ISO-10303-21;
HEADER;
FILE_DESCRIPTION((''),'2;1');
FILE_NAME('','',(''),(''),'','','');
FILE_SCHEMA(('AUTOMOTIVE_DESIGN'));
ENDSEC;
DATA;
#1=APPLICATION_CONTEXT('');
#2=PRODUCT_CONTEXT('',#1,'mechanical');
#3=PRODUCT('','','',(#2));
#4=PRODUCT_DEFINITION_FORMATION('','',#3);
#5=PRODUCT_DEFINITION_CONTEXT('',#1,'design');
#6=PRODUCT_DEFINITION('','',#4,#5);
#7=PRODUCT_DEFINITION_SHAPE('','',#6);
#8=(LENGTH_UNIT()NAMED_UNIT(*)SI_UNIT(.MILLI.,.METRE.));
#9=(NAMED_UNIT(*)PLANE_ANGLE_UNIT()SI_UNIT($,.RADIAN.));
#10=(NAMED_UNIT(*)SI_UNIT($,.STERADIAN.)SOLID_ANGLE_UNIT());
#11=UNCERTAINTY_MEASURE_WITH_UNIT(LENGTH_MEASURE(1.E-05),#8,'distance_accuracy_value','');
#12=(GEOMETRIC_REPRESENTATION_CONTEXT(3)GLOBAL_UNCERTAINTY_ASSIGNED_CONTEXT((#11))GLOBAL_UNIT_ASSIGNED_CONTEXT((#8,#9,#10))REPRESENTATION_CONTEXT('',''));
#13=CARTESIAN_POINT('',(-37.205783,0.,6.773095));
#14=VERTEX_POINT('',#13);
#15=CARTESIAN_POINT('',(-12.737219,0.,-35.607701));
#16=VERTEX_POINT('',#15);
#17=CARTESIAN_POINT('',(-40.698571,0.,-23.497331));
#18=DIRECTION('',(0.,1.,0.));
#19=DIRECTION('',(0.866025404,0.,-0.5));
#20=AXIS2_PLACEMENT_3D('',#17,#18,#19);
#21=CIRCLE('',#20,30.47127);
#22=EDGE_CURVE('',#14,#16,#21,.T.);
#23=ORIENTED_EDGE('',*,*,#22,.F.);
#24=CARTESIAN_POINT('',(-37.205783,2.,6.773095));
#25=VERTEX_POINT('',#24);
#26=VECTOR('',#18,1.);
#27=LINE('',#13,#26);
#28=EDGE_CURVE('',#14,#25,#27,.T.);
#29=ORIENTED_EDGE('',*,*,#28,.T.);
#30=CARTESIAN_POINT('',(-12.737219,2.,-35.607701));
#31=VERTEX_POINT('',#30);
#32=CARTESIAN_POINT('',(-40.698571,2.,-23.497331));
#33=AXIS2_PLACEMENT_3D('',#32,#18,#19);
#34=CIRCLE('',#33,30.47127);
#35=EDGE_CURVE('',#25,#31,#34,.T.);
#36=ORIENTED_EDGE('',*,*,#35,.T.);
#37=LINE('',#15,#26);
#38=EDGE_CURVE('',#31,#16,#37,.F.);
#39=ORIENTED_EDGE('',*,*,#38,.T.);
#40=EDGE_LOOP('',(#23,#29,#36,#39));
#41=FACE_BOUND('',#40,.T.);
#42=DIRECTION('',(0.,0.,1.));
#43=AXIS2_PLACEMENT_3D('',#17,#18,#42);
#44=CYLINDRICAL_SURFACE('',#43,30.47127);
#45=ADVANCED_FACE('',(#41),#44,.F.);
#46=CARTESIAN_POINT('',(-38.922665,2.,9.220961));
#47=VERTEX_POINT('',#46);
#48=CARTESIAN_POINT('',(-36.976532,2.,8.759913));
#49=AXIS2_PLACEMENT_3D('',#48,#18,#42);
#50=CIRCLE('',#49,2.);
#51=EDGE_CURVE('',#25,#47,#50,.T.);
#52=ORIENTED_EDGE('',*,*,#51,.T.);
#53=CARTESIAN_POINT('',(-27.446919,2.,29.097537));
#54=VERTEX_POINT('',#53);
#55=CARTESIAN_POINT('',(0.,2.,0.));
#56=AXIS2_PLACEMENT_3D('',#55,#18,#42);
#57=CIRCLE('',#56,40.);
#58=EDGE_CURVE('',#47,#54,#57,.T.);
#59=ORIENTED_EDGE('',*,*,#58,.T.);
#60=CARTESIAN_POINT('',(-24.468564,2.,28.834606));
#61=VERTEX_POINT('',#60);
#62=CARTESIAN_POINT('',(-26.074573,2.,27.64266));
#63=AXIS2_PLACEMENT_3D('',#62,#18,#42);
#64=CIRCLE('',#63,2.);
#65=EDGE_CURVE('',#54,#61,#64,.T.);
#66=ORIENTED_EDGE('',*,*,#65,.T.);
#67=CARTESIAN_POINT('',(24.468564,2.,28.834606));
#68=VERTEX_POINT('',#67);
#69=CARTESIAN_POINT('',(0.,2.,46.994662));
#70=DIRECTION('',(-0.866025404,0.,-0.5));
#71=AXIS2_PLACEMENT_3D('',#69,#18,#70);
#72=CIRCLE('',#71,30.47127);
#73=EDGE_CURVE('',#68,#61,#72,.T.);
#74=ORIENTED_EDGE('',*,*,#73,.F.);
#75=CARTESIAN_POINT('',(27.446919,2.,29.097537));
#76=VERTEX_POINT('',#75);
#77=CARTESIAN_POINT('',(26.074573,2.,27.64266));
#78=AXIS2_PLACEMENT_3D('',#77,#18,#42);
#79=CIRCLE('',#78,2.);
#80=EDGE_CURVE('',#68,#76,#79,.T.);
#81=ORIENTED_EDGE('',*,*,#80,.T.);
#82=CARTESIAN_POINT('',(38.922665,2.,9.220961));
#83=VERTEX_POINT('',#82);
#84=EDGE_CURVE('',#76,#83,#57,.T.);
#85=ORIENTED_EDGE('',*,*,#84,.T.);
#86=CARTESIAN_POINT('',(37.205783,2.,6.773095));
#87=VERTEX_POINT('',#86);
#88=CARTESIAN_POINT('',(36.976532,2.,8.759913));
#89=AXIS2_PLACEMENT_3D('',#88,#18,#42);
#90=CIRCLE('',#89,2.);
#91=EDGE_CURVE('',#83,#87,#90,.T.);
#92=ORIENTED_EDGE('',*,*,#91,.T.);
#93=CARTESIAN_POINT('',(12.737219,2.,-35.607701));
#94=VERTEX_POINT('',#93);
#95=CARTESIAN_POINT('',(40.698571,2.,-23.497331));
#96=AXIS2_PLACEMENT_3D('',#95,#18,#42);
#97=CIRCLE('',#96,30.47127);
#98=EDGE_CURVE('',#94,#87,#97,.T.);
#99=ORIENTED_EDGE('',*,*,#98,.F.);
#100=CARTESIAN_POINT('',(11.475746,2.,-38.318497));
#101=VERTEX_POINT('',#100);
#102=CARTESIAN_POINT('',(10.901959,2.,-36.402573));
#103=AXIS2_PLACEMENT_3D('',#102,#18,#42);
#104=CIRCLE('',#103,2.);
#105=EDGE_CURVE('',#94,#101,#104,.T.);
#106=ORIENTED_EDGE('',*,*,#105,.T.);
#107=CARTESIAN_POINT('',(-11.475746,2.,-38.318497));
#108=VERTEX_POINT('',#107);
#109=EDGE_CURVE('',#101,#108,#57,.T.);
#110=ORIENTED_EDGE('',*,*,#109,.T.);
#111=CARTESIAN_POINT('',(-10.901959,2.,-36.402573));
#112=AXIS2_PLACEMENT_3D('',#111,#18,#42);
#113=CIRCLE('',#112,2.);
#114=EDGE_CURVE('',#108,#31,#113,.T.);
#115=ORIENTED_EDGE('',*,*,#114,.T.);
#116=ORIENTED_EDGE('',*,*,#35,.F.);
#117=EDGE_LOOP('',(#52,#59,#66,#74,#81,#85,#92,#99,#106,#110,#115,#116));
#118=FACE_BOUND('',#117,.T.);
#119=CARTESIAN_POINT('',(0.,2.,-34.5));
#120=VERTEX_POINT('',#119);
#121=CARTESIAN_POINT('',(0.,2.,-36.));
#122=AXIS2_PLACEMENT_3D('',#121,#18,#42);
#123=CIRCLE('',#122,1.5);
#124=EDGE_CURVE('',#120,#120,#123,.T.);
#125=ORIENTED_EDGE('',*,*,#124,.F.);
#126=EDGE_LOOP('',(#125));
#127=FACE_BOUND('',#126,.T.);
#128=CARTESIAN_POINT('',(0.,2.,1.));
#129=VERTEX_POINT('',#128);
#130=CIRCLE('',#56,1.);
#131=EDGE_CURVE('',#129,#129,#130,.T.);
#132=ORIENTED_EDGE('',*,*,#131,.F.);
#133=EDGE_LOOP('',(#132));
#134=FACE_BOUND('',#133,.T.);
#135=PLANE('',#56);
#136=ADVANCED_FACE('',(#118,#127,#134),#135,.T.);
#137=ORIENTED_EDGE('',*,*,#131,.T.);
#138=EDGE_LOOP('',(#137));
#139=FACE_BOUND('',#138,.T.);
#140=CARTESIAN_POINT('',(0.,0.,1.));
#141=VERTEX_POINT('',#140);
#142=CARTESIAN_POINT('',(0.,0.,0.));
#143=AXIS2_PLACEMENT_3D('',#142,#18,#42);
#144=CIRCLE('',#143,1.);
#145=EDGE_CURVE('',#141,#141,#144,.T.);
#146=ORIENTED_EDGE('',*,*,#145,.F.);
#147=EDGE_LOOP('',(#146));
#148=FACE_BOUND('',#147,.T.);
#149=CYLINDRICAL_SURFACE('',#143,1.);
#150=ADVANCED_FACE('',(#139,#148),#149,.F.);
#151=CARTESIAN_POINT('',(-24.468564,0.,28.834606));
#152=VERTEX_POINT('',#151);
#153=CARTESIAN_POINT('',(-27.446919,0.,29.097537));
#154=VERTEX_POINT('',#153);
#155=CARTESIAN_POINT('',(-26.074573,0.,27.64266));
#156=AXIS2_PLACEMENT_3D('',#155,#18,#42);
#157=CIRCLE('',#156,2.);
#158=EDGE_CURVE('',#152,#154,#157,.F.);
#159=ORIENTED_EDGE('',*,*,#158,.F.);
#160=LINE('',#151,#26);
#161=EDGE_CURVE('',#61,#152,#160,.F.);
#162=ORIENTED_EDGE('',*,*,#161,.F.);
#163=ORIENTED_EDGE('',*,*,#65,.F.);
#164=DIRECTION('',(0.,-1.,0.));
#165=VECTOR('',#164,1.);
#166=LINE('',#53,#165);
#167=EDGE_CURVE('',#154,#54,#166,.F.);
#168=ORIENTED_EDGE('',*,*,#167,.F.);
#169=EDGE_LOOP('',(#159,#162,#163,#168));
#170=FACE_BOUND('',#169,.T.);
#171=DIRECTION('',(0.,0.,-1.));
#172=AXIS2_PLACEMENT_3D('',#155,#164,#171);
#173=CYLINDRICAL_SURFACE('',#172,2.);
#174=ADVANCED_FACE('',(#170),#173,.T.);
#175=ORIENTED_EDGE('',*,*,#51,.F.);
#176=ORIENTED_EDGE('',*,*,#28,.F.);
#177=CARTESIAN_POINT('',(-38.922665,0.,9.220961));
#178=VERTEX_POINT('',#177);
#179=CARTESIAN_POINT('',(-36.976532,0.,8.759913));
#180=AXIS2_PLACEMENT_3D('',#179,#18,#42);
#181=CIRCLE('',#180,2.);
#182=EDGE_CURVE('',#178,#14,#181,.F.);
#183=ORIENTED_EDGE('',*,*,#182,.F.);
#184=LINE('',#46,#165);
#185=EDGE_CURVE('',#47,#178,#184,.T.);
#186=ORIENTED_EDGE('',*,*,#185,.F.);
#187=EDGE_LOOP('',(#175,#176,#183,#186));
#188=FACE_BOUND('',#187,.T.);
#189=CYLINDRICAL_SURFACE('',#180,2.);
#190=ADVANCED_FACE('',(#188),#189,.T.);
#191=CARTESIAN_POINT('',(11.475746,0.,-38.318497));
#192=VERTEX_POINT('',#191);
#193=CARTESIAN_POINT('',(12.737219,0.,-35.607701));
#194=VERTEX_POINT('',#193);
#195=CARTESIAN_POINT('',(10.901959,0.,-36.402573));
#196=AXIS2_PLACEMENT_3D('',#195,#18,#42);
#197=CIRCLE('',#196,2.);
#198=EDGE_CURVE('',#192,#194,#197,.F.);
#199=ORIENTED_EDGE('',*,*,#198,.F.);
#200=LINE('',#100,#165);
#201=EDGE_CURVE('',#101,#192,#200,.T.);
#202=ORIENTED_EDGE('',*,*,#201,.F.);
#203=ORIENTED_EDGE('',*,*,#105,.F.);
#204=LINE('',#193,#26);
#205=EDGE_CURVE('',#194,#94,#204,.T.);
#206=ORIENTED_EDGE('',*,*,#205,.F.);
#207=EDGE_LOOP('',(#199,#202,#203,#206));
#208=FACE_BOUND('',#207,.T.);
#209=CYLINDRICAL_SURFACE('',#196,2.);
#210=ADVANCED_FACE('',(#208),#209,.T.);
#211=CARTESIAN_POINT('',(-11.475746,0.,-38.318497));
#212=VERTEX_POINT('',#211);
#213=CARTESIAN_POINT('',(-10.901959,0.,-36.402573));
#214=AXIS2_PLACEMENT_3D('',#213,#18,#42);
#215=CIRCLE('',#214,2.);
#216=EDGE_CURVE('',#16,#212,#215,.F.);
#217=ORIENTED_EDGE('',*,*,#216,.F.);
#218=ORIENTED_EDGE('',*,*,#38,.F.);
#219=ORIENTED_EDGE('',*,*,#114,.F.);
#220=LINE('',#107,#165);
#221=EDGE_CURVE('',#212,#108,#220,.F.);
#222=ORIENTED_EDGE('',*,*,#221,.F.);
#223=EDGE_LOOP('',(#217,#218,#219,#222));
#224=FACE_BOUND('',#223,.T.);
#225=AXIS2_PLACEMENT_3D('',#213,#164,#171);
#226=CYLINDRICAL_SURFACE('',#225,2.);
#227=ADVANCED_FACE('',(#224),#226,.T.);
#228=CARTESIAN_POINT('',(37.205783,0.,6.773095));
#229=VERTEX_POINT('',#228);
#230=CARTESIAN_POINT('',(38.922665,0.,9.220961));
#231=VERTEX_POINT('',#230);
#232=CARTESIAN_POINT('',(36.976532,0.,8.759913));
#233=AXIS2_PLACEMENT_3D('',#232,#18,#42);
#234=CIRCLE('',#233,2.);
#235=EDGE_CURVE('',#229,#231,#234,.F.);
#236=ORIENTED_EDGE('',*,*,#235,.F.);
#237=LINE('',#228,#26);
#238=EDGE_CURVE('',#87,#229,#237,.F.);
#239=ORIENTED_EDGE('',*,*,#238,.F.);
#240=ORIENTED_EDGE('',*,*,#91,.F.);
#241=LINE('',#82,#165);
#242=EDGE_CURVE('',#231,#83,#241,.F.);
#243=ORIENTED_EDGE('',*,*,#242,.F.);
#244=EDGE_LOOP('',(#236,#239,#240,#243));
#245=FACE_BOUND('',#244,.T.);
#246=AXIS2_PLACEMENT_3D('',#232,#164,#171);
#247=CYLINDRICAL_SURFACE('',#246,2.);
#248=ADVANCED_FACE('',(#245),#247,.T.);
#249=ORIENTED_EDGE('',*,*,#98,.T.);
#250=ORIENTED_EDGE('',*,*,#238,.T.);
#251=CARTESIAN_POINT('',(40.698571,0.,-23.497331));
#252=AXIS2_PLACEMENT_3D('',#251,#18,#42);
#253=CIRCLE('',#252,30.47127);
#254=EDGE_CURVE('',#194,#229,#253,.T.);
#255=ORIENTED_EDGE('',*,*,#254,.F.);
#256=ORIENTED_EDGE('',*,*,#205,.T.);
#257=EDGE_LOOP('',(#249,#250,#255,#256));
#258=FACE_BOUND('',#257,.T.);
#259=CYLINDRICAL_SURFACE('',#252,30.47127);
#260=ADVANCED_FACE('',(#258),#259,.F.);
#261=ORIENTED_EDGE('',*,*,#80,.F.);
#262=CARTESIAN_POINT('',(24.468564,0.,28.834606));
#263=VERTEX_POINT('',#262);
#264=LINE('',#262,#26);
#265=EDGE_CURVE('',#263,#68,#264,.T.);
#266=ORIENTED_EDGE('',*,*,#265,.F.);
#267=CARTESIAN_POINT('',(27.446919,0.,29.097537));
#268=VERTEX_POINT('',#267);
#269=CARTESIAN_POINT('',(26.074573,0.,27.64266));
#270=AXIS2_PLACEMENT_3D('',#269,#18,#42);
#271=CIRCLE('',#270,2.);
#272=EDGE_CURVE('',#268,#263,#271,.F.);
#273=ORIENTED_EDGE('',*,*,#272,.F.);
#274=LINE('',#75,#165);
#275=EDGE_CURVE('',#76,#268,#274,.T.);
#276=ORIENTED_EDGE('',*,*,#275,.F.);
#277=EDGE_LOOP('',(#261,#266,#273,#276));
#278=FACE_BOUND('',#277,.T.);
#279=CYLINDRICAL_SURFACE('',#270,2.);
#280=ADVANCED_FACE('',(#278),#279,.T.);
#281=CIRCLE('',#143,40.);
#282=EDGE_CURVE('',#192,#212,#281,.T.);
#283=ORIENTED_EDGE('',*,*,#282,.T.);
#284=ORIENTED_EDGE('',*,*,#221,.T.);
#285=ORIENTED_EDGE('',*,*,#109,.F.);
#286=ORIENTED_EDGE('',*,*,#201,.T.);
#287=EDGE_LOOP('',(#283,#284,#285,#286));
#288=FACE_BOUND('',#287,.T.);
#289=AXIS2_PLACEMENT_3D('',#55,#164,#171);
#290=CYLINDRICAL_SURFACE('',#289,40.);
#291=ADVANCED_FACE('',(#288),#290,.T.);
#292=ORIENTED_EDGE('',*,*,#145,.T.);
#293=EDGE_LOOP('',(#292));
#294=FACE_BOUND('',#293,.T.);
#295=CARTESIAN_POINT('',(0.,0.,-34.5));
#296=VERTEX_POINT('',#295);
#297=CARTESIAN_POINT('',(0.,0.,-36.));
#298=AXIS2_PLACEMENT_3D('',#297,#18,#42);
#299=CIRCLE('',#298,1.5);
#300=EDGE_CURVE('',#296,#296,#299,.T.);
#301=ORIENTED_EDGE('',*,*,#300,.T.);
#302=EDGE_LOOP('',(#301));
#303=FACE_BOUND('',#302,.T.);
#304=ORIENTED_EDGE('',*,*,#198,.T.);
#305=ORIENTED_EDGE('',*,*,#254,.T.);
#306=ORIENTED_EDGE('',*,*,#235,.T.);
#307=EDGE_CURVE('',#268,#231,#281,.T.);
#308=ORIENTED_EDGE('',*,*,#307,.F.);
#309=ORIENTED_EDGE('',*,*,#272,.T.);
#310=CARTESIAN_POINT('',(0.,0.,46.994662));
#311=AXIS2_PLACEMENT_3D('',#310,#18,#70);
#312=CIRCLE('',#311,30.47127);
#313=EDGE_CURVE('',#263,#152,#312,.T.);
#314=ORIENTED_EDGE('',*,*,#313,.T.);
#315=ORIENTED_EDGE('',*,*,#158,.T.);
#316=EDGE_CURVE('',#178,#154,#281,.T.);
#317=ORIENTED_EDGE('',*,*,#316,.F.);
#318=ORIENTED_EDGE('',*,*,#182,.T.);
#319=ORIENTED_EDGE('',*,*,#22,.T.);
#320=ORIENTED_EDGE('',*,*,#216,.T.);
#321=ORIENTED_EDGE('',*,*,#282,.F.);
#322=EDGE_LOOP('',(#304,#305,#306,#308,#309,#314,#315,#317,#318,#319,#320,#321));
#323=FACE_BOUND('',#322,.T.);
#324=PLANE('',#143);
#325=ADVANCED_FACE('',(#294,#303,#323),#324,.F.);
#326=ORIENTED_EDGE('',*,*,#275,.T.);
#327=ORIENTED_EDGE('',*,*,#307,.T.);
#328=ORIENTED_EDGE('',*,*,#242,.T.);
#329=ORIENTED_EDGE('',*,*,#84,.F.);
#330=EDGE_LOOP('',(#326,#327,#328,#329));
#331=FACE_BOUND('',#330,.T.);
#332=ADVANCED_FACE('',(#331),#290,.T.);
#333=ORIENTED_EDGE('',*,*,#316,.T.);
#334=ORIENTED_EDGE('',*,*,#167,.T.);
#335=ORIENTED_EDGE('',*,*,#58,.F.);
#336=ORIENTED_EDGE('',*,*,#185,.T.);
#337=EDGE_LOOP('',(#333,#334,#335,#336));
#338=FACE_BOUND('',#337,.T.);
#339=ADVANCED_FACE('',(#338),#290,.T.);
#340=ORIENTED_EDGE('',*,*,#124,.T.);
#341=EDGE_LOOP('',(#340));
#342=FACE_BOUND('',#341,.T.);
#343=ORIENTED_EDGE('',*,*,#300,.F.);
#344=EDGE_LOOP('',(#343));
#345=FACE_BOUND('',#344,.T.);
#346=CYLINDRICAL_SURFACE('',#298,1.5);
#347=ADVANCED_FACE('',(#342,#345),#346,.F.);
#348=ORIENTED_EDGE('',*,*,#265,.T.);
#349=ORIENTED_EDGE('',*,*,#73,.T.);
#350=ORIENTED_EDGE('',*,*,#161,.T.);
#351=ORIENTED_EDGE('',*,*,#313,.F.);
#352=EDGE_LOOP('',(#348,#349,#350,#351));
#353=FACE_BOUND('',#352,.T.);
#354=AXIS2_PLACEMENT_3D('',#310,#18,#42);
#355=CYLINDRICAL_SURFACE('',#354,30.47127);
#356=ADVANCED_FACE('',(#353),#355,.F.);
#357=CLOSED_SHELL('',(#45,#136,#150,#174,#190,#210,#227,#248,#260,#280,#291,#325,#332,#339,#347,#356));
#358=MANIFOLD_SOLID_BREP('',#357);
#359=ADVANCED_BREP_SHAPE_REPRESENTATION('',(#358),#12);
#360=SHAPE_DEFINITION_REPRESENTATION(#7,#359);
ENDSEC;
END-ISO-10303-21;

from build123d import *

# Parameters (mm, degrees)
SKETCH1_R           = 40
BOSS_EXTRUDE1_DEPTH = 2
SKETCH5_R           = 1.5
CUT_EXTRUDE2_DEPTH  = 3
SKETCH7_R           = 1
CUT_EXTRUDE4_DEPTH  = 3
SKETCH8_R           = 30.471270003
CUT_EXTRUDE5_DEPTH  = 3
CIRPATTERN1_COUNT   = 3
FILLET1_R           = 2


with BuildPart() as part:
    # Sketch1 → Boss-Extrude1 (new body)
    with BuildSketch(Plane(origin=(0, 0, 0), x_dir=(1, 0, 0), z_dir=(0, 1, 0))):
        Circle(SKETCH1_R)
    extrude(amount=BOSS_EXTRUDE1_DEPTH)

    # Sketch5 → Cut-Extrude2 (cut, through all)
    with BuildSketch(Plane(origin=(0, 2, 0), x_dir=(1, 0, 0), z_dir=(0, 1, 0))):
        with Locations((0, 36)):
            Circle(SKETCH5_R)
    extrude(amount=-CUT_EXTRUDE2_DEPTH, mode=Mode.SUBTRACT)

    # Sketch7 → Cut-Extrude4 (cut, through all)
    with BuildSketch(Plane(origin=(0, 2, 0), x_dir=(1, 0, 0), z_dir=(0, 1, 0))):
        Circle(SKETCH7_R)
    extrude(amount=-CUT_EXTRUDE4_DEPTH, mode=Mode.SUBTRACT)

    # Sketch8 → Cut-Extrude5 (cut, through all)
    with BuildSketch(Plane(origin=(0, 2, 0), x_dir=(1, 0, 0), z_dir=(0, 1, 0))):
        with Locations((40.698571494, 23.497331208)):
            Circle(SKETCH8_R)
    cut_extrude5 = extrude(amount=-CUT_EXTRUDE5_DEPTH, mode=Mode.SUBTRACT)

    # CirPattern1: Cut-Extrude5 ×3 about axis
    cirpattern1_axis = Axis((0, 0, 0), (0, 1, 0))
    for i in range(1, CIRPATTERN1_COUNT):
        add(cut_extrude5.rotate(cirpattern1_axis, i * 360 / CIRPATTERN1_COUNT), mode=Mode.SUBTRACT)

    # Fillet1
    fillet1_edges = [part.edges().sort_by_distance(p)[0] for p in [
        (39.39231012, 1, 6.945927107),
        (13.680805733, 1, -37.587704831),
        (-25.711504387, 1, 30.641777725),
        (25.711504387, 1, 30.641777725),
        (-13.680805733, 1, -37.587704831),
        (-39.39231012, 1, 6.945927107),
    ]]
    fillet(fillet1_edges, radius=FILLET1_R)


solid = part.part
